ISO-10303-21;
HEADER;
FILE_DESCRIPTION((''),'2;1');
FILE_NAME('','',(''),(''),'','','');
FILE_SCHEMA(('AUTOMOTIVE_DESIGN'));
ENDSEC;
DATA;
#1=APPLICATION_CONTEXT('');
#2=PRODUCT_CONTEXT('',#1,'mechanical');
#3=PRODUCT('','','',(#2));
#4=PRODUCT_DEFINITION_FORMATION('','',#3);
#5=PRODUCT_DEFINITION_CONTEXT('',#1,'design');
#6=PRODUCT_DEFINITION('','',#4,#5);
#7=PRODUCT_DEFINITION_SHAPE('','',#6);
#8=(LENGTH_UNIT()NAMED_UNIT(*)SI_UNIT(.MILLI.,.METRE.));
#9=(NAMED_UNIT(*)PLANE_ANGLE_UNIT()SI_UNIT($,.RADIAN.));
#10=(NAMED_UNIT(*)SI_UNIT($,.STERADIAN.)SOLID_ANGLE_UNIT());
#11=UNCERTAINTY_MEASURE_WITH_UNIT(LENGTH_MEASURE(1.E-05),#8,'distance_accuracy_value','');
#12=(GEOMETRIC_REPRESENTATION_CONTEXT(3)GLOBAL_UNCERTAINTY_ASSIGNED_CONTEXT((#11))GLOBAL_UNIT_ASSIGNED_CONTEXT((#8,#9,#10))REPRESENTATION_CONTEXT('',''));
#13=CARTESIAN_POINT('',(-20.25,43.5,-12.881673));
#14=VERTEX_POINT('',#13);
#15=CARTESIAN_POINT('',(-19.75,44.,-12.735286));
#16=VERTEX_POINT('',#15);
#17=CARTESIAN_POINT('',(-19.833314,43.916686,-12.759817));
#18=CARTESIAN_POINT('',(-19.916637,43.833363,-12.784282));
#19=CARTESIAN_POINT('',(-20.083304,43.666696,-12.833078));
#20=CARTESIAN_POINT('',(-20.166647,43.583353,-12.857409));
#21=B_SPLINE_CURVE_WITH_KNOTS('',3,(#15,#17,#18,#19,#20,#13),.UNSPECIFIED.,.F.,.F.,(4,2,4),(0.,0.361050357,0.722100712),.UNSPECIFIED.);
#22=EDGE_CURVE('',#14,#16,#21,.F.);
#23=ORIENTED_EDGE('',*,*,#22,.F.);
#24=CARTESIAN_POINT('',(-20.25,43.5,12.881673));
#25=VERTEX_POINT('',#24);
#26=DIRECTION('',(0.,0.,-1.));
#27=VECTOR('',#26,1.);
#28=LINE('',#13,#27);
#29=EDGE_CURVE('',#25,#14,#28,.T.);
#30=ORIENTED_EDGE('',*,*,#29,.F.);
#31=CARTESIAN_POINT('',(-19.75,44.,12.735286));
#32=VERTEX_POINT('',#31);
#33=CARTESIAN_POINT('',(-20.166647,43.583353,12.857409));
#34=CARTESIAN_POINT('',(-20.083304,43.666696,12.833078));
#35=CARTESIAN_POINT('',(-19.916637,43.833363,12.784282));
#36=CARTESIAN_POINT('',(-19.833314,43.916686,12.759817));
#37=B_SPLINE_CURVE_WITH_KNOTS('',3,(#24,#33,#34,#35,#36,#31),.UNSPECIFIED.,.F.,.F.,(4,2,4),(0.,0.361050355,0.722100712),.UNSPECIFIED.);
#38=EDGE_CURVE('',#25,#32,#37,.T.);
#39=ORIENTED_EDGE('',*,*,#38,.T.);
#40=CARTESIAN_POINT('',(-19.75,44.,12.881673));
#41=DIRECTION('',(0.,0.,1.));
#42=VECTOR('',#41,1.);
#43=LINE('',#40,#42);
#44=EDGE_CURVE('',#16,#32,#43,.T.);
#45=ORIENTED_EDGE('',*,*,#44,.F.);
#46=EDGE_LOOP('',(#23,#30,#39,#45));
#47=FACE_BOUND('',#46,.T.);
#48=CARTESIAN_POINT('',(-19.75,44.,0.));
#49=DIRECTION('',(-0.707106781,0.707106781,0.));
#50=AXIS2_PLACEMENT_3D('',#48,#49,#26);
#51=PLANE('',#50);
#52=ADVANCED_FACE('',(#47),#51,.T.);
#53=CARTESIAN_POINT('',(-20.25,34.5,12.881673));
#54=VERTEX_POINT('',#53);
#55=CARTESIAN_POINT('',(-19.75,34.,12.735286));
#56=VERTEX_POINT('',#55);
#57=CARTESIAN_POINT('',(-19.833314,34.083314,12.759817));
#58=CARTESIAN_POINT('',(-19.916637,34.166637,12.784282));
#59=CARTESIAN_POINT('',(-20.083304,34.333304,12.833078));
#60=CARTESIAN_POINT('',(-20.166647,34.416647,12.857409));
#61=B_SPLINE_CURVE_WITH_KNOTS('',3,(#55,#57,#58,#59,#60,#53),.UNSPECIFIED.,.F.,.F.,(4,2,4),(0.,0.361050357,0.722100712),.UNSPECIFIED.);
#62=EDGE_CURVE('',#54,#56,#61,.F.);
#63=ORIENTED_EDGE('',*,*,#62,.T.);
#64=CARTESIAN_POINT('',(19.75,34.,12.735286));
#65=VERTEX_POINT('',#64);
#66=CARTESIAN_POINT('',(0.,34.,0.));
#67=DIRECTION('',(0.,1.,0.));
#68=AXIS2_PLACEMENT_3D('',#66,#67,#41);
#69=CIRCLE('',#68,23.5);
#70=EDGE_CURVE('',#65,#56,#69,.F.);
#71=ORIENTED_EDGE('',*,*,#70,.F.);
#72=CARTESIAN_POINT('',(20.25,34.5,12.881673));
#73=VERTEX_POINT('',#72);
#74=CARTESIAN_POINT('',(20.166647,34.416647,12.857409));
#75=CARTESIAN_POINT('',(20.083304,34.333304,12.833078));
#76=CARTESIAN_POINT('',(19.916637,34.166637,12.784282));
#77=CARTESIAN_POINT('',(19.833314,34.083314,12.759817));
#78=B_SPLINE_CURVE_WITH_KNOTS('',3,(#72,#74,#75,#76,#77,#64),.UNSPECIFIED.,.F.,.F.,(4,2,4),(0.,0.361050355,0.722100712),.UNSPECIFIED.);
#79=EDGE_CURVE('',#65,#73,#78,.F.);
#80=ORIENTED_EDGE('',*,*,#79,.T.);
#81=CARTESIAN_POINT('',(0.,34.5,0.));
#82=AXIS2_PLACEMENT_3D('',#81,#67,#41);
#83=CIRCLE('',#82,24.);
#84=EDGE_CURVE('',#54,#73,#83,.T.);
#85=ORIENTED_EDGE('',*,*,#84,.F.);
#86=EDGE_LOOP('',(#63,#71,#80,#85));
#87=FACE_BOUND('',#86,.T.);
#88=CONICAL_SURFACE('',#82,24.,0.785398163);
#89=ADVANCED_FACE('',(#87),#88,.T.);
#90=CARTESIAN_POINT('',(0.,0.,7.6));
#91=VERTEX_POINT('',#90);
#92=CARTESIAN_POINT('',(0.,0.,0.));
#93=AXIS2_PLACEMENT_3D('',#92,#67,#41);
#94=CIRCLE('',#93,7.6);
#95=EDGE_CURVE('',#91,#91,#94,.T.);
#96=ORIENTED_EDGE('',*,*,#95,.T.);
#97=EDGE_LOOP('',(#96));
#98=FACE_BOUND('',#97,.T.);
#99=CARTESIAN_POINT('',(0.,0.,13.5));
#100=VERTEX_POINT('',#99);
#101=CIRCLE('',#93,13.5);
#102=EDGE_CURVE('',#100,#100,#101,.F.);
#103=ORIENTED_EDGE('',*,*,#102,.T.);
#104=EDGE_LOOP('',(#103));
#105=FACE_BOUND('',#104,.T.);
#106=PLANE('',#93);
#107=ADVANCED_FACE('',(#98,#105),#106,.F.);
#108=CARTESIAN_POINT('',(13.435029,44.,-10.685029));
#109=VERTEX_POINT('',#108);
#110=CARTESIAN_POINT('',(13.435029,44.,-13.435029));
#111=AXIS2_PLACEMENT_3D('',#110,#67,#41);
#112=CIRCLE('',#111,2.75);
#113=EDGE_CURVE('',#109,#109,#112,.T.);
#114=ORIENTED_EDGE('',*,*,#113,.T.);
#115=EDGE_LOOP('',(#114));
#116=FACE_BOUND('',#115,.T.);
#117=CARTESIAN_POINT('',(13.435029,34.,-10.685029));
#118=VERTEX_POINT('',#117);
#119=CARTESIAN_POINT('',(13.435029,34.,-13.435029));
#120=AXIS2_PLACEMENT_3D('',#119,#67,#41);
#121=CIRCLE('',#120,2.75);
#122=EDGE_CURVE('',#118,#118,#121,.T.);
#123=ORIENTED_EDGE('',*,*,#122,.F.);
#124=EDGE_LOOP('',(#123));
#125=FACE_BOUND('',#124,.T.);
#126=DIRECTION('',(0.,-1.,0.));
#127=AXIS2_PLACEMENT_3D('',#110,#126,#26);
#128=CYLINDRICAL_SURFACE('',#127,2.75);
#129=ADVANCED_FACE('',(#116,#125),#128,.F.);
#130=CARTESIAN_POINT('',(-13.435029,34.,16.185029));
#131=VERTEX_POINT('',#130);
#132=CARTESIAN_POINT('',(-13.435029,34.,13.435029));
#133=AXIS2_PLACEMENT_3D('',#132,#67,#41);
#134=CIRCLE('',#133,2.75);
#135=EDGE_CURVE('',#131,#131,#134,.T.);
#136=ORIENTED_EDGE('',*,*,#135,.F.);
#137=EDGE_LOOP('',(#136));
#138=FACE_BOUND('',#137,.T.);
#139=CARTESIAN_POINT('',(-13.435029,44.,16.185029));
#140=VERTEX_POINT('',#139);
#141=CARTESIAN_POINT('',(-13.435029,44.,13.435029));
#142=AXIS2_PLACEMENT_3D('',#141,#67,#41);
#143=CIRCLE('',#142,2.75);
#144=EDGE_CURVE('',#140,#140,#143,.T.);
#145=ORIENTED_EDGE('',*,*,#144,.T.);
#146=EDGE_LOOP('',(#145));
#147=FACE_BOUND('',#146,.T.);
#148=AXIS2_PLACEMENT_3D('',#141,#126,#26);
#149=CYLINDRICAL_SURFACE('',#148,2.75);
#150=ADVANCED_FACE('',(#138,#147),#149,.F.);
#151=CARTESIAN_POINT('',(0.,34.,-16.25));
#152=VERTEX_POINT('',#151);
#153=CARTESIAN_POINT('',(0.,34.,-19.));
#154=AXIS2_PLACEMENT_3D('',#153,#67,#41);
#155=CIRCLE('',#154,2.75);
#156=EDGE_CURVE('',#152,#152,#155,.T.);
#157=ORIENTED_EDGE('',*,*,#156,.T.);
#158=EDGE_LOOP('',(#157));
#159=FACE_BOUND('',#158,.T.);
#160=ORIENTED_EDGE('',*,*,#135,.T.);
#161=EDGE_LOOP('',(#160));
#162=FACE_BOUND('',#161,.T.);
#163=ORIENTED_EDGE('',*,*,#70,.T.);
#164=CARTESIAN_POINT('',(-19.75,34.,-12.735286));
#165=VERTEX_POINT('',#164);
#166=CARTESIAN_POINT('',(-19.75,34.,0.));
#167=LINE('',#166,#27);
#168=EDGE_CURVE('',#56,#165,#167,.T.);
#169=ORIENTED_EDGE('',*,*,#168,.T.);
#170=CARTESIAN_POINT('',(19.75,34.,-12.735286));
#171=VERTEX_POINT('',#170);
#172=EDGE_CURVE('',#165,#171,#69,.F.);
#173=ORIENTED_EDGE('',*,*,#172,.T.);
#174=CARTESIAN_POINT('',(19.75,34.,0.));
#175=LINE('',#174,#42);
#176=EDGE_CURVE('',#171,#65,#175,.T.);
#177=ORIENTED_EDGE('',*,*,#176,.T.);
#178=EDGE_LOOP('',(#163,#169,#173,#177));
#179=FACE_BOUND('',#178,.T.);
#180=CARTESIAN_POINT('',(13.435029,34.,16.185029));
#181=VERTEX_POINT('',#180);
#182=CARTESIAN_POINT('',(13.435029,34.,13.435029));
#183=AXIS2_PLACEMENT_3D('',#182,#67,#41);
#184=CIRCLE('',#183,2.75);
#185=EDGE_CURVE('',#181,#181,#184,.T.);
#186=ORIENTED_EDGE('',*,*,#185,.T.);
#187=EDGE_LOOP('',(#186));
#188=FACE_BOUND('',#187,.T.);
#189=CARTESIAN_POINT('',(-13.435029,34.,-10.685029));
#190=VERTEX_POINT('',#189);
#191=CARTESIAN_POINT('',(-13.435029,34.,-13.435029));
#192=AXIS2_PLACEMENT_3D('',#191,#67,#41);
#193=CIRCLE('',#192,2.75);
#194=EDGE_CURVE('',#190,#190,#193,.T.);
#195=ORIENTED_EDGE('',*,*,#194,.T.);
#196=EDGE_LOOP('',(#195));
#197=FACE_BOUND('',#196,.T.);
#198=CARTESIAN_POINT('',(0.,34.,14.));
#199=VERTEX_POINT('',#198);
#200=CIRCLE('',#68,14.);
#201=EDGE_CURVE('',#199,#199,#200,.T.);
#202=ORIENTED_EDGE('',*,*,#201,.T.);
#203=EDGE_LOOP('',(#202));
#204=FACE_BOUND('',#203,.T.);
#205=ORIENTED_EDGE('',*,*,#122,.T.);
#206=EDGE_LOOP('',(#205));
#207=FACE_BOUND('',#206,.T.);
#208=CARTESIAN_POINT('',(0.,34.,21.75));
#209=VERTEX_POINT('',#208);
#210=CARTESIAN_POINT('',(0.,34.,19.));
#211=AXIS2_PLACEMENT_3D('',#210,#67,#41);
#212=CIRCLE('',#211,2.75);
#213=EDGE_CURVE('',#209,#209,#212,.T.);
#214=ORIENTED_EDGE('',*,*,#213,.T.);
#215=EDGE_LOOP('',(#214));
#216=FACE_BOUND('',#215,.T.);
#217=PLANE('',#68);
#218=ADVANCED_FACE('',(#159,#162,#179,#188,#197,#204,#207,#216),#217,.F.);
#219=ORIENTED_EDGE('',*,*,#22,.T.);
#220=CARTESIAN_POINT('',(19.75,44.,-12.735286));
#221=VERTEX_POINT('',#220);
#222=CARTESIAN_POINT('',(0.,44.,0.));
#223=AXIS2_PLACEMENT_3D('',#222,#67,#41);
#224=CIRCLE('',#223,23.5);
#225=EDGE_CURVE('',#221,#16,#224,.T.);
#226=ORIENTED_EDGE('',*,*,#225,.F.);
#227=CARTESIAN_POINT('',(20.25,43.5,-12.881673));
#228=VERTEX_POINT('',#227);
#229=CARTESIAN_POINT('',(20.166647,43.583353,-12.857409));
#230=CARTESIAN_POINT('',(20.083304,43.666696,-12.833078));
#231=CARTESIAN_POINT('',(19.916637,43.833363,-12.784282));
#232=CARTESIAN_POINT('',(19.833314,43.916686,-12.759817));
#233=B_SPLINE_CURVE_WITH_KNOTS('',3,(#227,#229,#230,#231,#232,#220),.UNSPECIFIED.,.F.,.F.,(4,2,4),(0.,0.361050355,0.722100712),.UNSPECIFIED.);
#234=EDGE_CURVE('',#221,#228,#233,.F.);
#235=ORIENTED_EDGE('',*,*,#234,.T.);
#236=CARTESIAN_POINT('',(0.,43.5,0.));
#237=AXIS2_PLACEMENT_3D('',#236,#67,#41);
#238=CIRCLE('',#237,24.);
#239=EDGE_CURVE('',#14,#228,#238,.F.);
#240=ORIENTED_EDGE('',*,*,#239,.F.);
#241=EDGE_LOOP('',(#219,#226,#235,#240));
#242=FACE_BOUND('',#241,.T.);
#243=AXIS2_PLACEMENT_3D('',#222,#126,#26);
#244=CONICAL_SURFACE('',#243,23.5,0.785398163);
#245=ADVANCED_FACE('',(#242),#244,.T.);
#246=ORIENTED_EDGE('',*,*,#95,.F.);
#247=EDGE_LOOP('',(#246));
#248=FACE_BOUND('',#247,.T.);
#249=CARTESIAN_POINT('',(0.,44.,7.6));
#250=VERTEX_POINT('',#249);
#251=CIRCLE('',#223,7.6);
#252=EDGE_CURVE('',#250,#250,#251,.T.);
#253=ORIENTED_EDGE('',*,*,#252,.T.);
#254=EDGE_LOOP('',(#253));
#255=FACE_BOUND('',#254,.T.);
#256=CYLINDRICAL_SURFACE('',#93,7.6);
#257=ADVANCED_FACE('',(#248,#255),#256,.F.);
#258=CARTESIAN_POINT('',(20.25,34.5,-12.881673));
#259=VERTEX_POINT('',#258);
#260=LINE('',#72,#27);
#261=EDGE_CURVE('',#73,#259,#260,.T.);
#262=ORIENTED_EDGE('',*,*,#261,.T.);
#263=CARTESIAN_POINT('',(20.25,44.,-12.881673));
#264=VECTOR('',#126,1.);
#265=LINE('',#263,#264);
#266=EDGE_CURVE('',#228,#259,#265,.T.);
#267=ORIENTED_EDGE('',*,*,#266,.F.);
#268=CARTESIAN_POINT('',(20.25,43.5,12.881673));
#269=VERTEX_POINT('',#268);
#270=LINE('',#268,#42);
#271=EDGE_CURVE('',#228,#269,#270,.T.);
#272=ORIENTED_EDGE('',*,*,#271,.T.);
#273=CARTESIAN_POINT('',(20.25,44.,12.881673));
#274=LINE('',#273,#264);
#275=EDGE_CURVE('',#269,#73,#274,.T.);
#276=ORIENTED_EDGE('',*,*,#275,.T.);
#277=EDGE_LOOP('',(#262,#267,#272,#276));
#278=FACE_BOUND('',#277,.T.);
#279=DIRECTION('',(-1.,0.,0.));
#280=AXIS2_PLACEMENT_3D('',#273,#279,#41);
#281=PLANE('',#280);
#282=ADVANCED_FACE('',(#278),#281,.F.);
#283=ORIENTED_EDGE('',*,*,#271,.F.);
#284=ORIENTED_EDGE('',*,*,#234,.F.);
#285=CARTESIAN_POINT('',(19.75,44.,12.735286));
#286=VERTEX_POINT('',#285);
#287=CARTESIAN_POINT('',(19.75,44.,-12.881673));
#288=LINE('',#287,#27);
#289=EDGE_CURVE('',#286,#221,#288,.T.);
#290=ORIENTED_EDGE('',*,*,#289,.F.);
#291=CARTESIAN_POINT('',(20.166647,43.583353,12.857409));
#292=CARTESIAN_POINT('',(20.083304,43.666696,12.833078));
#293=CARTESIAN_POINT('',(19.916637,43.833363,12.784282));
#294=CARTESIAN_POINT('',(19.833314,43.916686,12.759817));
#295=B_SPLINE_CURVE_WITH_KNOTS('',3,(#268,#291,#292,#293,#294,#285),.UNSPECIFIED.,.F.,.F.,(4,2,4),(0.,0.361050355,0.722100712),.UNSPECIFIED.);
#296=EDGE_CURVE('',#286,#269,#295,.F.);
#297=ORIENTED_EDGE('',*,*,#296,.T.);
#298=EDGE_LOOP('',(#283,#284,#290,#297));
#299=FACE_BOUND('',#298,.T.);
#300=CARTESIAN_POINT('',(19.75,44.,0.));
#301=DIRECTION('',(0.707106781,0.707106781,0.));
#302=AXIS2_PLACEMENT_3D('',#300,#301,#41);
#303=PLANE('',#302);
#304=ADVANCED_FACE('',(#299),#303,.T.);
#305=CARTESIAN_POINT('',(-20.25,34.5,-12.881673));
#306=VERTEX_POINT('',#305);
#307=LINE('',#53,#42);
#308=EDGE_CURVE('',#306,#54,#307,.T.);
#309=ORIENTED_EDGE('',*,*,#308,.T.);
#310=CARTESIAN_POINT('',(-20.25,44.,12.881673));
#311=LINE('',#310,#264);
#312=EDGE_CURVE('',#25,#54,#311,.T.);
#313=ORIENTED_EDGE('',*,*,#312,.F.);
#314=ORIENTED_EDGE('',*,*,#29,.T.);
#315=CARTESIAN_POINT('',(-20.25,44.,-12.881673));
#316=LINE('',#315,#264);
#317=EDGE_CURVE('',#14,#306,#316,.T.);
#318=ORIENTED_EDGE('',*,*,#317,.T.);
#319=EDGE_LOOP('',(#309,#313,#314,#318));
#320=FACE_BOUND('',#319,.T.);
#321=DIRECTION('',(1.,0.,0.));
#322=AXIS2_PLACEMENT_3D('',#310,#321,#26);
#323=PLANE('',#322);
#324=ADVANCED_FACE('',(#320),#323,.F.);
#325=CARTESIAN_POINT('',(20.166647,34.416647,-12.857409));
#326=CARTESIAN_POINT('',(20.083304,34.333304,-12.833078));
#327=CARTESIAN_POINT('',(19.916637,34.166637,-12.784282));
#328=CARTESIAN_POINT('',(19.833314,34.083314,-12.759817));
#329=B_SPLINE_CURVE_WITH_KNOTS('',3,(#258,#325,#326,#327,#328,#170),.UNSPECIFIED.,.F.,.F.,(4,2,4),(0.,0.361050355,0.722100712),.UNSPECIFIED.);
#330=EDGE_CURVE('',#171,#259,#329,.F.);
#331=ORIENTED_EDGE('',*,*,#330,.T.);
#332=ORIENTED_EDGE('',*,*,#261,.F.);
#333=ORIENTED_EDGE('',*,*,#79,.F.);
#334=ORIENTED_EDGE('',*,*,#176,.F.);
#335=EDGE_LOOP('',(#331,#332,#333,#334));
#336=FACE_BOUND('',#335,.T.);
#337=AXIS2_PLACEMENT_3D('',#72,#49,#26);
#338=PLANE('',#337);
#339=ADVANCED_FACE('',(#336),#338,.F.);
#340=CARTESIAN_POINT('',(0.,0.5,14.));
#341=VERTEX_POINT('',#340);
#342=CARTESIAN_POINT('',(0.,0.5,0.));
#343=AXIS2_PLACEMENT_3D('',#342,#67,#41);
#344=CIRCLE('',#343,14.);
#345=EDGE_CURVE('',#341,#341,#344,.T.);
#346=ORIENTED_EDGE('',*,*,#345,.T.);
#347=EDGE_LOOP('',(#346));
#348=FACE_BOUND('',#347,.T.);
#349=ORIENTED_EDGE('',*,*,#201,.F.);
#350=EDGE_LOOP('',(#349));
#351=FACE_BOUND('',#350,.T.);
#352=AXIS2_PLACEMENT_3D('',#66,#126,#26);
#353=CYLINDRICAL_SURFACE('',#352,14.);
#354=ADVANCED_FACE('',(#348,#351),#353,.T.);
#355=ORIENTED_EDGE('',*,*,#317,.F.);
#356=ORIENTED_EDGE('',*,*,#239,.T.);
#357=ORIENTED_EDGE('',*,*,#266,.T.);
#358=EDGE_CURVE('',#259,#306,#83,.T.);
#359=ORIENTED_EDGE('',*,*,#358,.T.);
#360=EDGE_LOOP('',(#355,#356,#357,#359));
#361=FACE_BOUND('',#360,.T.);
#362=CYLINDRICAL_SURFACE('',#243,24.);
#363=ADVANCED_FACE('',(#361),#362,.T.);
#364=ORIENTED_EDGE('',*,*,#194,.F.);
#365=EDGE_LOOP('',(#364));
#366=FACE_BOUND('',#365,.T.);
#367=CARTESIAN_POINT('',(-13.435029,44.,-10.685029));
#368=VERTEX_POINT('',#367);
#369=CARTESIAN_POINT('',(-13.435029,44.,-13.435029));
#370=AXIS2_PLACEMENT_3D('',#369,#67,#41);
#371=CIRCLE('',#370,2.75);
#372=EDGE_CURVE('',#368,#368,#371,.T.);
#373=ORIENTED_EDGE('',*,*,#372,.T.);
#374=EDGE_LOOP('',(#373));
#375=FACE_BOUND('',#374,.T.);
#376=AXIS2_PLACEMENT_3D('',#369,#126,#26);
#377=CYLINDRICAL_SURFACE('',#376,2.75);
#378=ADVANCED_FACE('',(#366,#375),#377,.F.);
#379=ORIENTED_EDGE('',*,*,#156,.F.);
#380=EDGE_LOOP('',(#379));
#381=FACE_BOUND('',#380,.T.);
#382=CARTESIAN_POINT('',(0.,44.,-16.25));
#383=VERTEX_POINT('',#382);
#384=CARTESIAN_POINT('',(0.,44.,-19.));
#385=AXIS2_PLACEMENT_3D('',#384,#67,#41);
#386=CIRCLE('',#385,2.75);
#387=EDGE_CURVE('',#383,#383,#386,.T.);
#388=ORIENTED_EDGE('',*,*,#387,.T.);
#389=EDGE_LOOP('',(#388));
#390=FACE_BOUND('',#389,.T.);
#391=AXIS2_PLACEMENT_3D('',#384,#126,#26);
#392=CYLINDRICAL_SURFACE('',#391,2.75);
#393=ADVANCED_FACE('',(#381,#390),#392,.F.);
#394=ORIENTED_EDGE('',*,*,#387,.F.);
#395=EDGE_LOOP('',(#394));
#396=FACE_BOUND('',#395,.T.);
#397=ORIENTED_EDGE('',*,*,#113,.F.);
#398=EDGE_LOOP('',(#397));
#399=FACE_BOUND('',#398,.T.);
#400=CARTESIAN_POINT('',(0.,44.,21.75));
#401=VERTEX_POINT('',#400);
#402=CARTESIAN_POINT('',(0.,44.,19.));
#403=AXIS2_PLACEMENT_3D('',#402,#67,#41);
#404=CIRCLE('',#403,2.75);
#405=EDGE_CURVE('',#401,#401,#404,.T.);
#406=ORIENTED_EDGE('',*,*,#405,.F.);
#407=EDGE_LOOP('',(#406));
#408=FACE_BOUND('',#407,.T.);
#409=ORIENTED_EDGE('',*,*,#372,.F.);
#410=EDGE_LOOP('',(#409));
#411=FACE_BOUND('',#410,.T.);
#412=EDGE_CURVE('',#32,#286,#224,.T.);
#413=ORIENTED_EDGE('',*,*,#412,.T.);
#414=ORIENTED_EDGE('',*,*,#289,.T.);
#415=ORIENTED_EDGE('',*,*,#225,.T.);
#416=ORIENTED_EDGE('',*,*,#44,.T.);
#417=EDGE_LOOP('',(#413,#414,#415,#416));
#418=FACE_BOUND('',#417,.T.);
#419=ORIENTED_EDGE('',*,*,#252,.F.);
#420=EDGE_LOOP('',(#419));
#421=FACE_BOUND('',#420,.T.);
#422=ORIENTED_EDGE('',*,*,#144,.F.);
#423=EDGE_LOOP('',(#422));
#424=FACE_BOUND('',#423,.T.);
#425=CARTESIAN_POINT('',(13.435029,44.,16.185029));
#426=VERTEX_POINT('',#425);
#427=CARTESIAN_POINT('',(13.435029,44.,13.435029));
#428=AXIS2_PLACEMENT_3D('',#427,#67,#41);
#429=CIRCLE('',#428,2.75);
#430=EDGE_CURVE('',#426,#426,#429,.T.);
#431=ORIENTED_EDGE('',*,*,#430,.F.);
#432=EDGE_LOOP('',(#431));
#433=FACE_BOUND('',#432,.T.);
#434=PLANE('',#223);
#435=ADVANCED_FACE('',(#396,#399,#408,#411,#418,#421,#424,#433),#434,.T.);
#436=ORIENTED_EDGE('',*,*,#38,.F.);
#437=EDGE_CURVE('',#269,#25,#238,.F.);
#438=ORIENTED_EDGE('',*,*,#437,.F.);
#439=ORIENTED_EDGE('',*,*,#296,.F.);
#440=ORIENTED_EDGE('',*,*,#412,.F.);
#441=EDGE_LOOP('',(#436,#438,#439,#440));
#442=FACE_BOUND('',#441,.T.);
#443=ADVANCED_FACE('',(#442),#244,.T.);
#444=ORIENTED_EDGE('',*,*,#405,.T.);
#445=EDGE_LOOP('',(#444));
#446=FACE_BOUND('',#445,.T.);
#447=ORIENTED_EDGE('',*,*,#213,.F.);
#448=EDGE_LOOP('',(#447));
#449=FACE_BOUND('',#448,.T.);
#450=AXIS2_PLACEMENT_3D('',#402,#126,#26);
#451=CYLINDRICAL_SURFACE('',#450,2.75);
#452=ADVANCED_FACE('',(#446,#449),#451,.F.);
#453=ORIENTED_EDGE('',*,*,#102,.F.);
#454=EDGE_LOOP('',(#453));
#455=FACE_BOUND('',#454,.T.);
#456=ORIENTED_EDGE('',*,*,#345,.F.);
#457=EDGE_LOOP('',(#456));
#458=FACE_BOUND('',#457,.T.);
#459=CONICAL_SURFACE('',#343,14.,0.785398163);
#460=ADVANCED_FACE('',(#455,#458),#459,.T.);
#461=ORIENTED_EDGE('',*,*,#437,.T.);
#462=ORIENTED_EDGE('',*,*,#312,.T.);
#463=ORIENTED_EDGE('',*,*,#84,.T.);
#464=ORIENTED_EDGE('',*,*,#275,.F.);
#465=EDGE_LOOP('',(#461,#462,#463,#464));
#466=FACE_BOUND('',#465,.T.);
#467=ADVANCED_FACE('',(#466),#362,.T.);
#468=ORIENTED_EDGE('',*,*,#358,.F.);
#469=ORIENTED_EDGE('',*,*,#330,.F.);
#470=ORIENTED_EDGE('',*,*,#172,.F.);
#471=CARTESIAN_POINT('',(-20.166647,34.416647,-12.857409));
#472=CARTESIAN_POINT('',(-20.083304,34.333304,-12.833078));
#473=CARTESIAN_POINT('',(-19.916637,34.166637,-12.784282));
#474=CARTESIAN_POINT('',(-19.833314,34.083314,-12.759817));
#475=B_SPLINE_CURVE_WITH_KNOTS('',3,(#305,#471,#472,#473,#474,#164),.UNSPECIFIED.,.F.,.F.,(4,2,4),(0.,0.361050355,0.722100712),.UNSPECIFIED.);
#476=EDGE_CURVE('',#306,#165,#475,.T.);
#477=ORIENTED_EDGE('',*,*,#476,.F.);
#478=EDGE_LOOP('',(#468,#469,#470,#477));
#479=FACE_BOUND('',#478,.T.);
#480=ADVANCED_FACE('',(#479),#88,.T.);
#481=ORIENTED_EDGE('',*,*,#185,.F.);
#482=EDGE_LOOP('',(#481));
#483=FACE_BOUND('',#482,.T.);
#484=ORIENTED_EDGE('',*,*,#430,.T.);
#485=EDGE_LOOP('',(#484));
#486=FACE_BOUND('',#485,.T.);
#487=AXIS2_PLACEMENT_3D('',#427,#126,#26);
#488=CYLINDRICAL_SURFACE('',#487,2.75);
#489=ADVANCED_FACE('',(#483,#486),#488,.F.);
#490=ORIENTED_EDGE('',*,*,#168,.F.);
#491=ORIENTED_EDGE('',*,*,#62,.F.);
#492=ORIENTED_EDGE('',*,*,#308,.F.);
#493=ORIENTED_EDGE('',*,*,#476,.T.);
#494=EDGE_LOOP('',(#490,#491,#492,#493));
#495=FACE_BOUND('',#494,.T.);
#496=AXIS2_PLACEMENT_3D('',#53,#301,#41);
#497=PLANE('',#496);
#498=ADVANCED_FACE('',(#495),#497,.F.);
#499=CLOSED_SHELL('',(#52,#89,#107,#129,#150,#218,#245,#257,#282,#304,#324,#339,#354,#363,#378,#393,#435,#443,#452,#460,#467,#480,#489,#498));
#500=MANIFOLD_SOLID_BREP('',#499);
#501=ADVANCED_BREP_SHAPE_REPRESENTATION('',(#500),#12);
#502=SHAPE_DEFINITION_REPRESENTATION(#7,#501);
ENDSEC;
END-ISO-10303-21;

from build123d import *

# Parameters (mm, degrees)
SKETCH_1_R          = 14
EXTRUDE_1_DEPTH     = 34
SKETCH_2_R          = 2.75
EXTRUDE_2_DEPTH     = 10
SKETCH_3_R          = 7.6
CUT_EXTRUDE_1_DEPTH = 45
CHAMFER_1_SIZE      = 0.5


with BuildPart() as part:
    # Эскиз1 → Бобышка-Вытянуть1 (new body)
    with BuildSketch(Plane(origin=(0, 0, 0), x_dir=(1, 0, 0), z_dir=(0, 1, 0))):
        Circle(SKETCH_1_R)
    extrude(amount=EXTRUDE_1_DEPTH)

    # Эскиз2 → Бобышка-Вытянуть2 (add)
    with BuildSketch(Plane(origin=(0, 34, 0), x_dir=(1, 0, 0), z_dir=(0, 1, 0))):
        with BuildLine():
            Line((-20.25, -12.881673028), (-20.25, 12.881673028))
            ThreePointArc((-20.25, 12.881673028), (0, 24), (20.25, 12.881673028))
            Line((20.25, 12.881673028), (20.25, -12.881673028))
            ThreePointArc((20.25, -12.881673028), (0, -24), (-20.25, -12.881673028))
        make_face()
        with Locations((0, 19)):
            Circle(SKETCH_2_R, mode=Mode.SUBTRACT)
        with Locations((13.435028843, 13.435028843)):
            Circle(SKETCH_2_R, mode=Mode.SUBTRACT)
        with Locations((13.435028843, -13.435028843)):
            Circle(SKETCH_2_R, mode=Mode.SUBTRACT)
        with Locations((0, -19)):
            Circle(SKETCH_2_R, mode=Mode.SUBTRACT)
        with Locations((-13.435028843, -13.435028843)):
            Circle(SKETCH_2_R, mode=Mode.SUBTRACT)
        with Locations((-13.435028843, 13.435028843)):
            Circle(SKETCH_2_R, mode=Mode.SUBTRACT)
    extrude(amount=EXTRUDE_2_DEPTH)

    # Эскиз3 → Вырез-Вытянуть1 (cut, through all)
    with BuildSketch(Plane(origin=(0, 44, 0), x_dir=(1, 0, 0), z_dir=(0, 1, 0))):
        Circle(SKETCH_3_R)
    extrude(amount=-CUT_EXTRUDE_1_DEPTH, mode=Mode.SUBTRACT)

    # Фаска1
    chamfer_1_edges = [part.edges().sort_by_distance(p)[0] for p in [
        (-14, 0, 0),
        (0, 44, -24),
        (-20.25, 44, 0),
        (0, 44, 24),
        (20.25, 44, 0),
        (0, 34, -24),
        (-20.25, 34, 0),
        (0, 34, 24),
        (20.25, 34, 0),
    ]]
    chamfer(chamfer_1_edges, length=CHAMFER_1_SIZE)


solid = part.part
